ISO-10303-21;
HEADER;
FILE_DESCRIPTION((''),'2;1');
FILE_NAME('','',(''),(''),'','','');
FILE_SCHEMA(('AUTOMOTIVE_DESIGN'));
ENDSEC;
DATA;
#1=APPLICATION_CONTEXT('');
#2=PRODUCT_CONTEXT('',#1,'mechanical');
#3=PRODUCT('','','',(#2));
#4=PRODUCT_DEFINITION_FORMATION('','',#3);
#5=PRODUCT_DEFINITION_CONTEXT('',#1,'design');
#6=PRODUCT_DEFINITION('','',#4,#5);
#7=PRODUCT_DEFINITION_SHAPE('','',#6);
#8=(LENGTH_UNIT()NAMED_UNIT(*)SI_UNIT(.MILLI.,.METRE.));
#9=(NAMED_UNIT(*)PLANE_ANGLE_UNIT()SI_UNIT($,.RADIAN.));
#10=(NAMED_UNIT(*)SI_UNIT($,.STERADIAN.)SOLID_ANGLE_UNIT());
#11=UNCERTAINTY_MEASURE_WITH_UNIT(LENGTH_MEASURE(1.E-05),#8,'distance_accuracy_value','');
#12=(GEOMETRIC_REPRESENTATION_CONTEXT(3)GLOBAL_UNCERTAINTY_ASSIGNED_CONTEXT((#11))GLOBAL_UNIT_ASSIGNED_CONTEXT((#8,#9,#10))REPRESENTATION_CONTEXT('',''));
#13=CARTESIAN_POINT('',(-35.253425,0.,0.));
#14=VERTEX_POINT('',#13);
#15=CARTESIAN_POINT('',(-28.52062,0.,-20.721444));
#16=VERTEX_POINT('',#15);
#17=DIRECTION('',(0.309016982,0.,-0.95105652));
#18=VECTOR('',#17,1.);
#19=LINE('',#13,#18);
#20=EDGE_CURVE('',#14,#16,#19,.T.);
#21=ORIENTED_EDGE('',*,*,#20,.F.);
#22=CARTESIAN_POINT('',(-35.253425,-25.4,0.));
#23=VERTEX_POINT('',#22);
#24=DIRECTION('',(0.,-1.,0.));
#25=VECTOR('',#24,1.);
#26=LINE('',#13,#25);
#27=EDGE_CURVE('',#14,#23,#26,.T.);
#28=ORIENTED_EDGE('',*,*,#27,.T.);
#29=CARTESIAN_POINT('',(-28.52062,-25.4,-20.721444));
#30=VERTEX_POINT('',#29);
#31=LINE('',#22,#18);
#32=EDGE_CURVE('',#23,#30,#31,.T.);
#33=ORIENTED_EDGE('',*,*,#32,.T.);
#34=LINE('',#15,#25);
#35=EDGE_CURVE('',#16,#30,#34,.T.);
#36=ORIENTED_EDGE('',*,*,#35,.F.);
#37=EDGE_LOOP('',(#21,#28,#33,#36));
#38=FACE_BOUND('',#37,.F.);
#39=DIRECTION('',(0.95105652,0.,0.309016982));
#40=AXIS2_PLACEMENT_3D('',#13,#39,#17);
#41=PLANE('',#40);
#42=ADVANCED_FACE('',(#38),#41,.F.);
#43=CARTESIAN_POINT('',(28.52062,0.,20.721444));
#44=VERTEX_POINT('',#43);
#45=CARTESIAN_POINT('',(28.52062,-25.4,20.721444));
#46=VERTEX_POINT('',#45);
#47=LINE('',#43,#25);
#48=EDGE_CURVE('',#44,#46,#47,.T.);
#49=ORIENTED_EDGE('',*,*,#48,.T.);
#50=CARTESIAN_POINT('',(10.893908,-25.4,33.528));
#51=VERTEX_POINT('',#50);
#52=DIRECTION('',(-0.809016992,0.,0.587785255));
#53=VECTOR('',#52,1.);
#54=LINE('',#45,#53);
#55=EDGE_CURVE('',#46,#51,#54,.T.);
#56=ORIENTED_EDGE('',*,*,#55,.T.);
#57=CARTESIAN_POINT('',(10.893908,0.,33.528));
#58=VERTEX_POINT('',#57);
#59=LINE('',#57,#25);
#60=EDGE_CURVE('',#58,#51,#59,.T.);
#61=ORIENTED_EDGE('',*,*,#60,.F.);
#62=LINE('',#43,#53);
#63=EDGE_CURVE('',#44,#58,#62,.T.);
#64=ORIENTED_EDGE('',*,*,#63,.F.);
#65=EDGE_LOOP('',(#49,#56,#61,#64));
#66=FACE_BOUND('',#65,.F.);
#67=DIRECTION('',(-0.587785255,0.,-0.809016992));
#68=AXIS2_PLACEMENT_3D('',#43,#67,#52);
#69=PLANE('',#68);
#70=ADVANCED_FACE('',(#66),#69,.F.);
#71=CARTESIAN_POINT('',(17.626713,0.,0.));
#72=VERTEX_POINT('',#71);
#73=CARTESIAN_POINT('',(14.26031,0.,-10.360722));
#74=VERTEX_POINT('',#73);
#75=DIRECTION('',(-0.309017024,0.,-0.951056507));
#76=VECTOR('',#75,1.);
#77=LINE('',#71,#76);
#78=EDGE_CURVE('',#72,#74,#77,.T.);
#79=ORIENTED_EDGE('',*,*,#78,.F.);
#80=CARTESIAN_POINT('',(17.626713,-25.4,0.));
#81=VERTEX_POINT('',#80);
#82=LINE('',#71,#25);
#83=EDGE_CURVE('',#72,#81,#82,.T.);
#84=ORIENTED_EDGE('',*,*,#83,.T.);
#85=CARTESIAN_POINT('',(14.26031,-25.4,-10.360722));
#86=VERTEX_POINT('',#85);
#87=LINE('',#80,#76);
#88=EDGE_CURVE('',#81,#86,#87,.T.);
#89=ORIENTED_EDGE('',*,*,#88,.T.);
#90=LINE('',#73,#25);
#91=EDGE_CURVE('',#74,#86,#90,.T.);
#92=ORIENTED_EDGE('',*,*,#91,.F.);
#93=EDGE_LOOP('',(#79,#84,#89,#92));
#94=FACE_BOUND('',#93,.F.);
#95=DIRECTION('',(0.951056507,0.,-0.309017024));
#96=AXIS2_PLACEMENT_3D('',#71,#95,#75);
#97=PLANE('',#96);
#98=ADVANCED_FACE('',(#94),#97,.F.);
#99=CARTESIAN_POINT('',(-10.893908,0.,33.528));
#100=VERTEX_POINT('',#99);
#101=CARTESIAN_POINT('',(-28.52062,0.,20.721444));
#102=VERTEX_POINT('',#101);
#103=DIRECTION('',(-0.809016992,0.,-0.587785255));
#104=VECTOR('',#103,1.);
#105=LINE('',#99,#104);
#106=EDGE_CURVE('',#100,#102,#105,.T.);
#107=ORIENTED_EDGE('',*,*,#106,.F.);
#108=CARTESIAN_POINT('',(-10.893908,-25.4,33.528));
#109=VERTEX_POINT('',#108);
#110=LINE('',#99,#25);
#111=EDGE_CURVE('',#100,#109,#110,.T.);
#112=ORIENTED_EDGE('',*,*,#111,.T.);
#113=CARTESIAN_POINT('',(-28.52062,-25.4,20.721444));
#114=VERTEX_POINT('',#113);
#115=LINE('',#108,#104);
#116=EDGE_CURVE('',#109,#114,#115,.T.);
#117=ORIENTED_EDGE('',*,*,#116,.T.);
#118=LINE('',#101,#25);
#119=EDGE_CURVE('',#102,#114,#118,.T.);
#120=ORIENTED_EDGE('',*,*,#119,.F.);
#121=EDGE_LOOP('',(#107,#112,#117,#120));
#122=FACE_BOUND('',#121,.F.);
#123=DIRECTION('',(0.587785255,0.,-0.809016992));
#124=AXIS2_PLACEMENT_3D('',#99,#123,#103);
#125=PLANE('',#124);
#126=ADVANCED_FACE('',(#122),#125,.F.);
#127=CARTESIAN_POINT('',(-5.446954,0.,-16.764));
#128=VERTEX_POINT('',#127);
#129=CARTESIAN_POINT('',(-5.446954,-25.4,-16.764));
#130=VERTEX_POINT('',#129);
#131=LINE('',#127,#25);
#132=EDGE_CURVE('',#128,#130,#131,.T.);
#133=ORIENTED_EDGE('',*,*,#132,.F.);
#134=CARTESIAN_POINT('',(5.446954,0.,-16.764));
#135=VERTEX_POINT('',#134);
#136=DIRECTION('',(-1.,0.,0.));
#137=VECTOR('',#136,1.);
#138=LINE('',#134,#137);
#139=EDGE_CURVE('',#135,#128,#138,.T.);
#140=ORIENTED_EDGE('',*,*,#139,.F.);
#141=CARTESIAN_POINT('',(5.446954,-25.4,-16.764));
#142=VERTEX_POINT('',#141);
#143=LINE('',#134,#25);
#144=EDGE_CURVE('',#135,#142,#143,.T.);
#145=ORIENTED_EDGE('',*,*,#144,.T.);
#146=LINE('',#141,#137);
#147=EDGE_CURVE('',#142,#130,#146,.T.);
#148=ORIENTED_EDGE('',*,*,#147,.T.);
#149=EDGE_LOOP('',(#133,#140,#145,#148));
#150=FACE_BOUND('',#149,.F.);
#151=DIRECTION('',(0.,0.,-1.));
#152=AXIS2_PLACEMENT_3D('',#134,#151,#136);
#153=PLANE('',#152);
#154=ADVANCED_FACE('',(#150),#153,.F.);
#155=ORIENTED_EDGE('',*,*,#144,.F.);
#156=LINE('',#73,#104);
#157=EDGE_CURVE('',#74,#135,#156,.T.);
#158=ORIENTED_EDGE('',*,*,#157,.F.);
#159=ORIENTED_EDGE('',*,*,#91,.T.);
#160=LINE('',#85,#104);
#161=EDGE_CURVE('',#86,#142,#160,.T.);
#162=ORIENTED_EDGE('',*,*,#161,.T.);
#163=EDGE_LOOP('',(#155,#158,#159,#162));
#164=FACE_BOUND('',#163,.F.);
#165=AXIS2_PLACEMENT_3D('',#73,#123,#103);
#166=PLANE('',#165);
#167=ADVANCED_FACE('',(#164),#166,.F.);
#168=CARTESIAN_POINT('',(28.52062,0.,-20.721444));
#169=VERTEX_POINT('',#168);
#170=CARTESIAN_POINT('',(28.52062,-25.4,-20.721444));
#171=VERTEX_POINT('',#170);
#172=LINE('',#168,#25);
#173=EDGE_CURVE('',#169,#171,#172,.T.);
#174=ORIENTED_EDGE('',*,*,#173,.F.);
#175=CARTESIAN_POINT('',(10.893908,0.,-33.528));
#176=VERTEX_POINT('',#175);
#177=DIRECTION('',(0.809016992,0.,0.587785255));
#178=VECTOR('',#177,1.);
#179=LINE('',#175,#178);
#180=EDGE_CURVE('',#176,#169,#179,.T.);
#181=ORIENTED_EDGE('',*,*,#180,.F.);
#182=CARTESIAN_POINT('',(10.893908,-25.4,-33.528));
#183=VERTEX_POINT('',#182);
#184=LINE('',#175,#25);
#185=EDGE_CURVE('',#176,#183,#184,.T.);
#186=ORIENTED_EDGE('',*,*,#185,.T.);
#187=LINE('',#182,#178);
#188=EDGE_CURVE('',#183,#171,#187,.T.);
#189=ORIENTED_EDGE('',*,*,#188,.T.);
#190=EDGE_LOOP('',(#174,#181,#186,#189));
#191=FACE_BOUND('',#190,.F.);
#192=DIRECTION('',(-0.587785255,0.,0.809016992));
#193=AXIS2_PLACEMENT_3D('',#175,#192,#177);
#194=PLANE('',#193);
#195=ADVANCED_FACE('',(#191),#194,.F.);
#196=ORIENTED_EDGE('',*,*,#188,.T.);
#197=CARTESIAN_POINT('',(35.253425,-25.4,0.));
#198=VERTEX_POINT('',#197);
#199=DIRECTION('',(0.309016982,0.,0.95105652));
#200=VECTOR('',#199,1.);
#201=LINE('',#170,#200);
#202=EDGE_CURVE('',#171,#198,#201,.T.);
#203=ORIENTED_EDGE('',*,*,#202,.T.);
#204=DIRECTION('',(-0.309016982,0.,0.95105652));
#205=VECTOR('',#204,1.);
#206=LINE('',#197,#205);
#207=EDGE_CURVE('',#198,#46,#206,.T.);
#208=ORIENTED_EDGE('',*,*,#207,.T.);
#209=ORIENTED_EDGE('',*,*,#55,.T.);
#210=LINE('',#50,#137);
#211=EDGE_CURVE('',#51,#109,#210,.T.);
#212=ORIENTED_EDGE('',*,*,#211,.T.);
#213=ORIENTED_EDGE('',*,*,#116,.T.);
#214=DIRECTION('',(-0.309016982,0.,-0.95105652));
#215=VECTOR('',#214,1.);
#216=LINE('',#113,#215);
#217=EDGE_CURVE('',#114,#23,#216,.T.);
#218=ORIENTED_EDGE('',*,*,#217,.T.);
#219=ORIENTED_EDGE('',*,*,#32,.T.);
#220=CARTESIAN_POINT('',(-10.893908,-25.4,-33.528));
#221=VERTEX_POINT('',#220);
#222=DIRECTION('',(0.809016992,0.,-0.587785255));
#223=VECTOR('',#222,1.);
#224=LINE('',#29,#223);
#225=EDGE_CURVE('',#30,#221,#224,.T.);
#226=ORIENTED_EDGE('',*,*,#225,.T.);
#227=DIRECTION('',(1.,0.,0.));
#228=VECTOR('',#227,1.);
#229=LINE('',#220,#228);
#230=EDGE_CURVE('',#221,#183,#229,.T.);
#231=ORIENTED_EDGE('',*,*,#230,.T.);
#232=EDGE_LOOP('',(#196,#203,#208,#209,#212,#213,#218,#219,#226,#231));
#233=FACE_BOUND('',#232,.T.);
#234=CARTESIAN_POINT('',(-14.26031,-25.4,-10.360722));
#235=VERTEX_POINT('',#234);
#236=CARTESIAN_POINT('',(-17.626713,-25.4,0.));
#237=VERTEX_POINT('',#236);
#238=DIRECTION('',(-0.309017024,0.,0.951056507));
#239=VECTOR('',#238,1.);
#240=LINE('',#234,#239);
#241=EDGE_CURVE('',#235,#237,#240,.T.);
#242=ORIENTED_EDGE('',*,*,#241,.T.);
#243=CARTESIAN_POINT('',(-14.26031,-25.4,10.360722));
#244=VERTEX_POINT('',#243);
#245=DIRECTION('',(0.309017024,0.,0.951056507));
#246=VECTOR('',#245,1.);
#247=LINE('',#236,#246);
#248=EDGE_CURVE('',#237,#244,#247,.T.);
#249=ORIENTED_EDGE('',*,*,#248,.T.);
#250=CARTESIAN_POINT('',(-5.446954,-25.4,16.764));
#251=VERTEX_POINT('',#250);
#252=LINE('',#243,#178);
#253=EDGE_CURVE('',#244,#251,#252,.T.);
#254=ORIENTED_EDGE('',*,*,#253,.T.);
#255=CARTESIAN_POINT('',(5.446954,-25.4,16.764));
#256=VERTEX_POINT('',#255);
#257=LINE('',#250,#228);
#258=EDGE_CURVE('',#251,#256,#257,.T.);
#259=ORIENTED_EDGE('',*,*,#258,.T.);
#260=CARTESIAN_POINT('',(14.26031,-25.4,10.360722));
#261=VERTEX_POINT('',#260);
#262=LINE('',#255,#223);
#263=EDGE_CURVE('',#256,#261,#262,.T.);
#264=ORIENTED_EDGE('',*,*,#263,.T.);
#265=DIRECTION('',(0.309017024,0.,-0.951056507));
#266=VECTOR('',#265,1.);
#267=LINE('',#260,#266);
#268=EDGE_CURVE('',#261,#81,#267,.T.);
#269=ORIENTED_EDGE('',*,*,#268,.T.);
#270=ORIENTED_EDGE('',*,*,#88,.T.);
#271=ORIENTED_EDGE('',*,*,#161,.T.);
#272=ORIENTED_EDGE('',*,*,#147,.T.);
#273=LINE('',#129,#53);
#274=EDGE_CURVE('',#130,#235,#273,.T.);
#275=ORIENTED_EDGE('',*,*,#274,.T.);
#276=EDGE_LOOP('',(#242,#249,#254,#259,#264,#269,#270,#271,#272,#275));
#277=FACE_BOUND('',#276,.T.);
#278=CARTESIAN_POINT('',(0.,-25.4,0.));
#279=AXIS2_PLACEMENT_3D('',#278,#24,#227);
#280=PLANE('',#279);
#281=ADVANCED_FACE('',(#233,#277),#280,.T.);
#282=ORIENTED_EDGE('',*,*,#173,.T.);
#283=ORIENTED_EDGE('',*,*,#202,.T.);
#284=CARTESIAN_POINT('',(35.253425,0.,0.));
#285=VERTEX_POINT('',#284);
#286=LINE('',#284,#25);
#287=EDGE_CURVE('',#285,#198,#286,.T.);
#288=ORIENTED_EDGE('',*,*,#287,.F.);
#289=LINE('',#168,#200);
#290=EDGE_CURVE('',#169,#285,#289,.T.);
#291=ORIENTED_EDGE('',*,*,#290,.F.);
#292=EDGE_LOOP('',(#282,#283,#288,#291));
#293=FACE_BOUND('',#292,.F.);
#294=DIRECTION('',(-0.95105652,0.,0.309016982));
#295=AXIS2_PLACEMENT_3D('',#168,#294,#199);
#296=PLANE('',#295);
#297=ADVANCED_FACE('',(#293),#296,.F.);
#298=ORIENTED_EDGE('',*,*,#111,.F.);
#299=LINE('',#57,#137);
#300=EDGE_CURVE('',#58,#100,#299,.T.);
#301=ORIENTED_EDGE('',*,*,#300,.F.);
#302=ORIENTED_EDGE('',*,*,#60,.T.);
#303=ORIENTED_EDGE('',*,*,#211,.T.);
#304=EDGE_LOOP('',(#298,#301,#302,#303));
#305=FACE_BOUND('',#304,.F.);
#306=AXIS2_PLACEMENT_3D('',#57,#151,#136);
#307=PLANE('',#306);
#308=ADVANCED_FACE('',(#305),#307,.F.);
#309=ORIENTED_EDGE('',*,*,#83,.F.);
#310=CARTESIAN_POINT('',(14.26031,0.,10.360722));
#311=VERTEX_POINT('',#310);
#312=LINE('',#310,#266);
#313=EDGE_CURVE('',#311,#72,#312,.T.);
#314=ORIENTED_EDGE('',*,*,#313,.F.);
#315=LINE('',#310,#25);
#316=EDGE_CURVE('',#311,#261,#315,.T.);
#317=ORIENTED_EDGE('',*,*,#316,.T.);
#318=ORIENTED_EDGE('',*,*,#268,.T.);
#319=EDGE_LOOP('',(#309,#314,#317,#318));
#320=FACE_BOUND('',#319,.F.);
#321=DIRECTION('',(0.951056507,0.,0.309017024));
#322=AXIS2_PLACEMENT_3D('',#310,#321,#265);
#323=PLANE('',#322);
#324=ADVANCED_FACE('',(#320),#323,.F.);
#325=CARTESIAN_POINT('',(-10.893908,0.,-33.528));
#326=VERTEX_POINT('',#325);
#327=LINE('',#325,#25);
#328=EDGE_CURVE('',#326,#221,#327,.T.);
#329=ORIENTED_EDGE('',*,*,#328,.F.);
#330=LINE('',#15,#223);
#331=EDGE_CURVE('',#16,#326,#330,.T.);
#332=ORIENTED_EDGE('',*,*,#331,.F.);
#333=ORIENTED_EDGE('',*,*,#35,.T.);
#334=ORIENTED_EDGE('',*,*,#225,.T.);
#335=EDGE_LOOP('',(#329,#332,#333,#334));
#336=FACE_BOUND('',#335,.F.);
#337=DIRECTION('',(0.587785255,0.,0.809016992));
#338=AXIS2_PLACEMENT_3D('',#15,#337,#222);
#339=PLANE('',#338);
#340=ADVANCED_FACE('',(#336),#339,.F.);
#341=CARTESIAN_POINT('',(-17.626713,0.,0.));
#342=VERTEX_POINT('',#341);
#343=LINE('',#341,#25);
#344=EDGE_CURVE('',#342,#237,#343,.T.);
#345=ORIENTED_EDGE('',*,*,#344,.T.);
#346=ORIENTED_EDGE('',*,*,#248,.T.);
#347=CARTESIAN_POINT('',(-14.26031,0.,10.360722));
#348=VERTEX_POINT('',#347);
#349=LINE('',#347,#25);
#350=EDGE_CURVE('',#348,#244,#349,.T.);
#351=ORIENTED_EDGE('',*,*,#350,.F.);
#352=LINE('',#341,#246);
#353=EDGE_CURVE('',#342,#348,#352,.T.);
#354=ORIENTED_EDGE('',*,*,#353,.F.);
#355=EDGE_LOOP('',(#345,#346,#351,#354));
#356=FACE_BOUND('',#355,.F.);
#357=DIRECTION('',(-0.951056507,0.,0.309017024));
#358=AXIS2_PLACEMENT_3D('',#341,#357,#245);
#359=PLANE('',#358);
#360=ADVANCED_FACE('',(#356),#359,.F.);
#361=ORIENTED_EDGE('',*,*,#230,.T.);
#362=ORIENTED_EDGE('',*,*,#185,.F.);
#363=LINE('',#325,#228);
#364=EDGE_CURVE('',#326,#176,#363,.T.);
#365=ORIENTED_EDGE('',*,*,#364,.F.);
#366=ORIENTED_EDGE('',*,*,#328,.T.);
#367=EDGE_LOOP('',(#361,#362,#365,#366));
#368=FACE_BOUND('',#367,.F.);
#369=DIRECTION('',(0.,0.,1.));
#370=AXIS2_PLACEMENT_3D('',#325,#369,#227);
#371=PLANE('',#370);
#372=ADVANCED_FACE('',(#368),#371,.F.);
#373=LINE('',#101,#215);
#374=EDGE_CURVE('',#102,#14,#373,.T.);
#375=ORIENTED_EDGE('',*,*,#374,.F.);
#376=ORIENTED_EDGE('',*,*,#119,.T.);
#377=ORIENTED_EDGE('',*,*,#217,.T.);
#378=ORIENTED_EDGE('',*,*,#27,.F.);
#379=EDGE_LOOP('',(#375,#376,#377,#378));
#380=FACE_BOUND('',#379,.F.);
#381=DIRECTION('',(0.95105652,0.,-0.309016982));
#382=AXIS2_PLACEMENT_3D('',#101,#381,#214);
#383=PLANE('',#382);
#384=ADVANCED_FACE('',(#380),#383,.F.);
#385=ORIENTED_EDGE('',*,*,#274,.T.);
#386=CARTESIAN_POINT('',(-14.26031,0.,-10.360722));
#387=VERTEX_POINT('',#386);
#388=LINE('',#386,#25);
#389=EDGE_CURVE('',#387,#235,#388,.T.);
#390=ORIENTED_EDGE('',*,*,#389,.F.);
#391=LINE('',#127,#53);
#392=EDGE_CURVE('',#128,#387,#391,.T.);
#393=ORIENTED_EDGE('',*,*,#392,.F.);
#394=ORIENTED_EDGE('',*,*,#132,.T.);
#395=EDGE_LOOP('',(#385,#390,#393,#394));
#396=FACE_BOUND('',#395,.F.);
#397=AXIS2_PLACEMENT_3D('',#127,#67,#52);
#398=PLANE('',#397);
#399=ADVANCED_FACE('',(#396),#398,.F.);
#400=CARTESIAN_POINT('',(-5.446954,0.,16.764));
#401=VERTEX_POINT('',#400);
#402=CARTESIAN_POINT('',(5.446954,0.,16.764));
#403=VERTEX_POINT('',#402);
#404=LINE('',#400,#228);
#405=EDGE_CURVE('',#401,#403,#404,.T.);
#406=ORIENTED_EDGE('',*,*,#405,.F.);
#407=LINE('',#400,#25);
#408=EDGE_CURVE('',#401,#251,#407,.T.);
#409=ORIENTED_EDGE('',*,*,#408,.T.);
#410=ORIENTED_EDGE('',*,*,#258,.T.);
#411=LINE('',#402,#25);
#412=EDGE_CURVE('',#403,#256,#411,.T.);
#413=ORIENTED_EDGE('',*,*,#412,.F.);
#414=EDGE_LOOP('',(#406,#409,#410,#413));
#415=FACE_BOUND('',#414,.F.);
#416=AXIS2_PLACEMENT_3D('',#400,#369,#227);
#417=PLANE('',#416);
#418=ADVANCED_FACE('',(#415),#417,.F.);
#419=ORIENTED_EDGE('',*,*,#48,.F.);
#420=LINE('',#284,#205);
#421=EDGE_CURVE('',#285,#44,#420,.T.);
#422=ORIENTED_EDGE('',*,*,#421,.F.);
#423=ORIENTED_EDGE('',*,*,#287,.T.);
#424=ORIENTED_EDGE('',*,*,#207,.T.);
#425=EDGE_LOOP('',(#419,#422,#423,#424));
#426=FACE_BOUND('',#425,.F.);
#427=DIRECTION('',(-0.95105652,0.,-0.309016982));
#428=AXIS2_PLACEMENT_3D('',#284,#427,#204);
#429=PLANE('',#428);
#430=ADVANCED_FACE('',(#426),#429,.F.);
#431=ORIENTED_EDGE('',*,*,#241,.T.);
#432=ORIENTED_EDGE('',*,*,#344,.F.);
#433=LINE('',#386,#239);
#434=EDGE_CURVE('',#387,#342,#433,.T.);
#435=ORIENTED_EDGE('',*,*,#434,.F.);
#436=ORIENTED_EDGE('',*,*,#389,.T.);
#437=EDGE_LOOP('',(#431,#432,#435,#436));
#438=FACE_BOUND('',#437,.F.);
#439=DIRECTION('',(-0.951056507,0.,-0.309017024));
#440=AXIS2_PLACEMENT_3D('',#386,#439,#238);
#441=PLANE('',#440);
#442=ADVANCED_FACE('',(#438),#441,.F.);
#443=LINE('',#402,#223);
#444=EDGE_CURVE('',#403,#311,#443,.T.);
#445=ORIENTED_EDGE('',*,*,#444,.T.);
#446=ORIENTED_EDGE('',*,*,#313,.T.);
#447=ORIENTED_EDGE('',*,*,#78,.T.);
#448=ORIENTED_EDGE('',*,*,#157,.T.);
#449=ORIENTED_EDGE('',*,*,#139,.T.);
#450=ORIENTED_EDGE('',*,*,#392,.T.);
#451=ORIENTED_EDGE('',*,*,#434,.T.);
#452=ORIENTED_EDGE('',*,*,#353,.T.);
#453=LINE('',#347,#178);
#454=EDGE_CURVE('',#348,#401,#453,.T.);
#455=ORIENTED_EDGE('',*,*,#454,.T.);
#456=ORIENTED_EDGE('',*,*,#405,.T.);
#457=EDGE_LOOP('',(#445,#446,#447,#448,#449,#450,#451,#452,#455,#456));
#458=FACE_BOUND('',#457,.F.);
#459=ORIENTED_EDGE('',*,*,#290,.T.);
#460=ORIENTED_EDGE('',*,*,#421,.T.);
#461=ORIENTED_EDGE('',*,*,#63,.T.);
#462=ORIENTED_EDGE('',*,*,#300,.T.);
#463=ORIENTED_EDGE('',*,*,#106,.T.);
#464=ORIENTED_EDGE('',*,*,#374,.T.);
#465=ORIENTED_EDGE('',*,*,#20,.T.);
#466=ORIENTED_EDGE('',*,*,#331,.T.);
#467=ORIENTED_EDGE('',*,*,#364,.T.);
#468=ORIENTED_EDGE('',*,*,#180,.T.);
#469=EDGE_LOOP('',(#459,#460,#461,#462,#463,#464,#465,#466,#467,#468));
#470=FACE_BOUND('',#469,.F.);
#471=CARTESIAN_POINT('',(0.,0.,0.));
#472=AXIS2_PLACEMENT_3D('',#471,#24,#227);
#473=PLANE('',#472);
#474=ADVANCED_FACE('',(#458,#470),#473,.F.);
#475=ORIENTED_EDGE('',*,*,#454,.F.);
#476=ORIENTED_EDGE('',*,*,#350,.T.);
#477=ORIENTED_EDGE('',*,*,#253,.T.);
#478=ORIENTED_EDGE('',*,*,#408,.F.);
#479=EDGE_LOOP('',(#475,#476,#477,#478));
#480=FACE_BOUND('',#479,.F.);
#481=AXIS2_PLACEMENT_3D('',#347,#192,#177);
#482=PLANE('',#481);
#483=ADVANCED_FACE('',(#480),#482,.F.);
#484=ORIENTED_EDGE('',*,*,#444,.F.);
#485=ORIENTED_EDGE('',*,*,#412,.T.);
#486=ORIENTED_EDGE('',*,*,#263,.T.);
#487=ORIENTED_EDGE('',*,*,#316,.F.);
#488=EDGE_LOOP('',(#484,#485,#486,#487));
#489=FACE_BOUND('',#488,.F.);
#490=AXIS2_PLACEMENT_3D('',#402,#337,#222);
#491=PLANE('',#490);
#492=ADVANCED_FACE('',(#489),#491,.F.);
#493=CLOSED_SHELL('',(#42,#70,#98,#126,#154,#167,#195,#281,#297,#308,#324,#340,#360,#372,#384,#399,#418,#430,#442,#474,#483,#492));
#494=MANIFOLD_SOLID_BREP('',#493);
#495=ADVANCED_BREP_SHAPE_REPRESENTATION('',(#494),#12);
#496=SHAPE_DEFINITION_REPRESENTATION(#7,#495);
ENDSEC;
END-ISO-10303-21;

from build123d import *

# Parameters (mm, degrees)
F1_DEPTH = 25.4


with BuildPart() as f1:
    # F0 (on Front) → F1 (new body)
    with BuildSketch(Plane.XZ):
        Polygon((10.893908, 33.528), (0, 33.528), (-10.893908, 33.528), (-28.52062, 20.721444), (-35.253425, 0), (-28.52062, -20.721444), (-10.893908, -33.528), (10.893908, -33.528), (28.52062, -20.721444), (35.253425, 0), (28.52062, 20.721444), align=None)
        Polygon((-5.446954, 16.764), (0, 16.764), (5.446954, 16.764), (14.26031, 10.360722), (17.626713, 0), (14.26031, -10.360722), (5.446954, -16.764), (-5.446954, -16.764), (-14.26031, -10.360722), (-17.626713, 0), (-14.26031, 10.360722), align=None, mode=Mode.SUBTRACT)
    extrude(amount=F1_DEPTH)


solid = f1.part
